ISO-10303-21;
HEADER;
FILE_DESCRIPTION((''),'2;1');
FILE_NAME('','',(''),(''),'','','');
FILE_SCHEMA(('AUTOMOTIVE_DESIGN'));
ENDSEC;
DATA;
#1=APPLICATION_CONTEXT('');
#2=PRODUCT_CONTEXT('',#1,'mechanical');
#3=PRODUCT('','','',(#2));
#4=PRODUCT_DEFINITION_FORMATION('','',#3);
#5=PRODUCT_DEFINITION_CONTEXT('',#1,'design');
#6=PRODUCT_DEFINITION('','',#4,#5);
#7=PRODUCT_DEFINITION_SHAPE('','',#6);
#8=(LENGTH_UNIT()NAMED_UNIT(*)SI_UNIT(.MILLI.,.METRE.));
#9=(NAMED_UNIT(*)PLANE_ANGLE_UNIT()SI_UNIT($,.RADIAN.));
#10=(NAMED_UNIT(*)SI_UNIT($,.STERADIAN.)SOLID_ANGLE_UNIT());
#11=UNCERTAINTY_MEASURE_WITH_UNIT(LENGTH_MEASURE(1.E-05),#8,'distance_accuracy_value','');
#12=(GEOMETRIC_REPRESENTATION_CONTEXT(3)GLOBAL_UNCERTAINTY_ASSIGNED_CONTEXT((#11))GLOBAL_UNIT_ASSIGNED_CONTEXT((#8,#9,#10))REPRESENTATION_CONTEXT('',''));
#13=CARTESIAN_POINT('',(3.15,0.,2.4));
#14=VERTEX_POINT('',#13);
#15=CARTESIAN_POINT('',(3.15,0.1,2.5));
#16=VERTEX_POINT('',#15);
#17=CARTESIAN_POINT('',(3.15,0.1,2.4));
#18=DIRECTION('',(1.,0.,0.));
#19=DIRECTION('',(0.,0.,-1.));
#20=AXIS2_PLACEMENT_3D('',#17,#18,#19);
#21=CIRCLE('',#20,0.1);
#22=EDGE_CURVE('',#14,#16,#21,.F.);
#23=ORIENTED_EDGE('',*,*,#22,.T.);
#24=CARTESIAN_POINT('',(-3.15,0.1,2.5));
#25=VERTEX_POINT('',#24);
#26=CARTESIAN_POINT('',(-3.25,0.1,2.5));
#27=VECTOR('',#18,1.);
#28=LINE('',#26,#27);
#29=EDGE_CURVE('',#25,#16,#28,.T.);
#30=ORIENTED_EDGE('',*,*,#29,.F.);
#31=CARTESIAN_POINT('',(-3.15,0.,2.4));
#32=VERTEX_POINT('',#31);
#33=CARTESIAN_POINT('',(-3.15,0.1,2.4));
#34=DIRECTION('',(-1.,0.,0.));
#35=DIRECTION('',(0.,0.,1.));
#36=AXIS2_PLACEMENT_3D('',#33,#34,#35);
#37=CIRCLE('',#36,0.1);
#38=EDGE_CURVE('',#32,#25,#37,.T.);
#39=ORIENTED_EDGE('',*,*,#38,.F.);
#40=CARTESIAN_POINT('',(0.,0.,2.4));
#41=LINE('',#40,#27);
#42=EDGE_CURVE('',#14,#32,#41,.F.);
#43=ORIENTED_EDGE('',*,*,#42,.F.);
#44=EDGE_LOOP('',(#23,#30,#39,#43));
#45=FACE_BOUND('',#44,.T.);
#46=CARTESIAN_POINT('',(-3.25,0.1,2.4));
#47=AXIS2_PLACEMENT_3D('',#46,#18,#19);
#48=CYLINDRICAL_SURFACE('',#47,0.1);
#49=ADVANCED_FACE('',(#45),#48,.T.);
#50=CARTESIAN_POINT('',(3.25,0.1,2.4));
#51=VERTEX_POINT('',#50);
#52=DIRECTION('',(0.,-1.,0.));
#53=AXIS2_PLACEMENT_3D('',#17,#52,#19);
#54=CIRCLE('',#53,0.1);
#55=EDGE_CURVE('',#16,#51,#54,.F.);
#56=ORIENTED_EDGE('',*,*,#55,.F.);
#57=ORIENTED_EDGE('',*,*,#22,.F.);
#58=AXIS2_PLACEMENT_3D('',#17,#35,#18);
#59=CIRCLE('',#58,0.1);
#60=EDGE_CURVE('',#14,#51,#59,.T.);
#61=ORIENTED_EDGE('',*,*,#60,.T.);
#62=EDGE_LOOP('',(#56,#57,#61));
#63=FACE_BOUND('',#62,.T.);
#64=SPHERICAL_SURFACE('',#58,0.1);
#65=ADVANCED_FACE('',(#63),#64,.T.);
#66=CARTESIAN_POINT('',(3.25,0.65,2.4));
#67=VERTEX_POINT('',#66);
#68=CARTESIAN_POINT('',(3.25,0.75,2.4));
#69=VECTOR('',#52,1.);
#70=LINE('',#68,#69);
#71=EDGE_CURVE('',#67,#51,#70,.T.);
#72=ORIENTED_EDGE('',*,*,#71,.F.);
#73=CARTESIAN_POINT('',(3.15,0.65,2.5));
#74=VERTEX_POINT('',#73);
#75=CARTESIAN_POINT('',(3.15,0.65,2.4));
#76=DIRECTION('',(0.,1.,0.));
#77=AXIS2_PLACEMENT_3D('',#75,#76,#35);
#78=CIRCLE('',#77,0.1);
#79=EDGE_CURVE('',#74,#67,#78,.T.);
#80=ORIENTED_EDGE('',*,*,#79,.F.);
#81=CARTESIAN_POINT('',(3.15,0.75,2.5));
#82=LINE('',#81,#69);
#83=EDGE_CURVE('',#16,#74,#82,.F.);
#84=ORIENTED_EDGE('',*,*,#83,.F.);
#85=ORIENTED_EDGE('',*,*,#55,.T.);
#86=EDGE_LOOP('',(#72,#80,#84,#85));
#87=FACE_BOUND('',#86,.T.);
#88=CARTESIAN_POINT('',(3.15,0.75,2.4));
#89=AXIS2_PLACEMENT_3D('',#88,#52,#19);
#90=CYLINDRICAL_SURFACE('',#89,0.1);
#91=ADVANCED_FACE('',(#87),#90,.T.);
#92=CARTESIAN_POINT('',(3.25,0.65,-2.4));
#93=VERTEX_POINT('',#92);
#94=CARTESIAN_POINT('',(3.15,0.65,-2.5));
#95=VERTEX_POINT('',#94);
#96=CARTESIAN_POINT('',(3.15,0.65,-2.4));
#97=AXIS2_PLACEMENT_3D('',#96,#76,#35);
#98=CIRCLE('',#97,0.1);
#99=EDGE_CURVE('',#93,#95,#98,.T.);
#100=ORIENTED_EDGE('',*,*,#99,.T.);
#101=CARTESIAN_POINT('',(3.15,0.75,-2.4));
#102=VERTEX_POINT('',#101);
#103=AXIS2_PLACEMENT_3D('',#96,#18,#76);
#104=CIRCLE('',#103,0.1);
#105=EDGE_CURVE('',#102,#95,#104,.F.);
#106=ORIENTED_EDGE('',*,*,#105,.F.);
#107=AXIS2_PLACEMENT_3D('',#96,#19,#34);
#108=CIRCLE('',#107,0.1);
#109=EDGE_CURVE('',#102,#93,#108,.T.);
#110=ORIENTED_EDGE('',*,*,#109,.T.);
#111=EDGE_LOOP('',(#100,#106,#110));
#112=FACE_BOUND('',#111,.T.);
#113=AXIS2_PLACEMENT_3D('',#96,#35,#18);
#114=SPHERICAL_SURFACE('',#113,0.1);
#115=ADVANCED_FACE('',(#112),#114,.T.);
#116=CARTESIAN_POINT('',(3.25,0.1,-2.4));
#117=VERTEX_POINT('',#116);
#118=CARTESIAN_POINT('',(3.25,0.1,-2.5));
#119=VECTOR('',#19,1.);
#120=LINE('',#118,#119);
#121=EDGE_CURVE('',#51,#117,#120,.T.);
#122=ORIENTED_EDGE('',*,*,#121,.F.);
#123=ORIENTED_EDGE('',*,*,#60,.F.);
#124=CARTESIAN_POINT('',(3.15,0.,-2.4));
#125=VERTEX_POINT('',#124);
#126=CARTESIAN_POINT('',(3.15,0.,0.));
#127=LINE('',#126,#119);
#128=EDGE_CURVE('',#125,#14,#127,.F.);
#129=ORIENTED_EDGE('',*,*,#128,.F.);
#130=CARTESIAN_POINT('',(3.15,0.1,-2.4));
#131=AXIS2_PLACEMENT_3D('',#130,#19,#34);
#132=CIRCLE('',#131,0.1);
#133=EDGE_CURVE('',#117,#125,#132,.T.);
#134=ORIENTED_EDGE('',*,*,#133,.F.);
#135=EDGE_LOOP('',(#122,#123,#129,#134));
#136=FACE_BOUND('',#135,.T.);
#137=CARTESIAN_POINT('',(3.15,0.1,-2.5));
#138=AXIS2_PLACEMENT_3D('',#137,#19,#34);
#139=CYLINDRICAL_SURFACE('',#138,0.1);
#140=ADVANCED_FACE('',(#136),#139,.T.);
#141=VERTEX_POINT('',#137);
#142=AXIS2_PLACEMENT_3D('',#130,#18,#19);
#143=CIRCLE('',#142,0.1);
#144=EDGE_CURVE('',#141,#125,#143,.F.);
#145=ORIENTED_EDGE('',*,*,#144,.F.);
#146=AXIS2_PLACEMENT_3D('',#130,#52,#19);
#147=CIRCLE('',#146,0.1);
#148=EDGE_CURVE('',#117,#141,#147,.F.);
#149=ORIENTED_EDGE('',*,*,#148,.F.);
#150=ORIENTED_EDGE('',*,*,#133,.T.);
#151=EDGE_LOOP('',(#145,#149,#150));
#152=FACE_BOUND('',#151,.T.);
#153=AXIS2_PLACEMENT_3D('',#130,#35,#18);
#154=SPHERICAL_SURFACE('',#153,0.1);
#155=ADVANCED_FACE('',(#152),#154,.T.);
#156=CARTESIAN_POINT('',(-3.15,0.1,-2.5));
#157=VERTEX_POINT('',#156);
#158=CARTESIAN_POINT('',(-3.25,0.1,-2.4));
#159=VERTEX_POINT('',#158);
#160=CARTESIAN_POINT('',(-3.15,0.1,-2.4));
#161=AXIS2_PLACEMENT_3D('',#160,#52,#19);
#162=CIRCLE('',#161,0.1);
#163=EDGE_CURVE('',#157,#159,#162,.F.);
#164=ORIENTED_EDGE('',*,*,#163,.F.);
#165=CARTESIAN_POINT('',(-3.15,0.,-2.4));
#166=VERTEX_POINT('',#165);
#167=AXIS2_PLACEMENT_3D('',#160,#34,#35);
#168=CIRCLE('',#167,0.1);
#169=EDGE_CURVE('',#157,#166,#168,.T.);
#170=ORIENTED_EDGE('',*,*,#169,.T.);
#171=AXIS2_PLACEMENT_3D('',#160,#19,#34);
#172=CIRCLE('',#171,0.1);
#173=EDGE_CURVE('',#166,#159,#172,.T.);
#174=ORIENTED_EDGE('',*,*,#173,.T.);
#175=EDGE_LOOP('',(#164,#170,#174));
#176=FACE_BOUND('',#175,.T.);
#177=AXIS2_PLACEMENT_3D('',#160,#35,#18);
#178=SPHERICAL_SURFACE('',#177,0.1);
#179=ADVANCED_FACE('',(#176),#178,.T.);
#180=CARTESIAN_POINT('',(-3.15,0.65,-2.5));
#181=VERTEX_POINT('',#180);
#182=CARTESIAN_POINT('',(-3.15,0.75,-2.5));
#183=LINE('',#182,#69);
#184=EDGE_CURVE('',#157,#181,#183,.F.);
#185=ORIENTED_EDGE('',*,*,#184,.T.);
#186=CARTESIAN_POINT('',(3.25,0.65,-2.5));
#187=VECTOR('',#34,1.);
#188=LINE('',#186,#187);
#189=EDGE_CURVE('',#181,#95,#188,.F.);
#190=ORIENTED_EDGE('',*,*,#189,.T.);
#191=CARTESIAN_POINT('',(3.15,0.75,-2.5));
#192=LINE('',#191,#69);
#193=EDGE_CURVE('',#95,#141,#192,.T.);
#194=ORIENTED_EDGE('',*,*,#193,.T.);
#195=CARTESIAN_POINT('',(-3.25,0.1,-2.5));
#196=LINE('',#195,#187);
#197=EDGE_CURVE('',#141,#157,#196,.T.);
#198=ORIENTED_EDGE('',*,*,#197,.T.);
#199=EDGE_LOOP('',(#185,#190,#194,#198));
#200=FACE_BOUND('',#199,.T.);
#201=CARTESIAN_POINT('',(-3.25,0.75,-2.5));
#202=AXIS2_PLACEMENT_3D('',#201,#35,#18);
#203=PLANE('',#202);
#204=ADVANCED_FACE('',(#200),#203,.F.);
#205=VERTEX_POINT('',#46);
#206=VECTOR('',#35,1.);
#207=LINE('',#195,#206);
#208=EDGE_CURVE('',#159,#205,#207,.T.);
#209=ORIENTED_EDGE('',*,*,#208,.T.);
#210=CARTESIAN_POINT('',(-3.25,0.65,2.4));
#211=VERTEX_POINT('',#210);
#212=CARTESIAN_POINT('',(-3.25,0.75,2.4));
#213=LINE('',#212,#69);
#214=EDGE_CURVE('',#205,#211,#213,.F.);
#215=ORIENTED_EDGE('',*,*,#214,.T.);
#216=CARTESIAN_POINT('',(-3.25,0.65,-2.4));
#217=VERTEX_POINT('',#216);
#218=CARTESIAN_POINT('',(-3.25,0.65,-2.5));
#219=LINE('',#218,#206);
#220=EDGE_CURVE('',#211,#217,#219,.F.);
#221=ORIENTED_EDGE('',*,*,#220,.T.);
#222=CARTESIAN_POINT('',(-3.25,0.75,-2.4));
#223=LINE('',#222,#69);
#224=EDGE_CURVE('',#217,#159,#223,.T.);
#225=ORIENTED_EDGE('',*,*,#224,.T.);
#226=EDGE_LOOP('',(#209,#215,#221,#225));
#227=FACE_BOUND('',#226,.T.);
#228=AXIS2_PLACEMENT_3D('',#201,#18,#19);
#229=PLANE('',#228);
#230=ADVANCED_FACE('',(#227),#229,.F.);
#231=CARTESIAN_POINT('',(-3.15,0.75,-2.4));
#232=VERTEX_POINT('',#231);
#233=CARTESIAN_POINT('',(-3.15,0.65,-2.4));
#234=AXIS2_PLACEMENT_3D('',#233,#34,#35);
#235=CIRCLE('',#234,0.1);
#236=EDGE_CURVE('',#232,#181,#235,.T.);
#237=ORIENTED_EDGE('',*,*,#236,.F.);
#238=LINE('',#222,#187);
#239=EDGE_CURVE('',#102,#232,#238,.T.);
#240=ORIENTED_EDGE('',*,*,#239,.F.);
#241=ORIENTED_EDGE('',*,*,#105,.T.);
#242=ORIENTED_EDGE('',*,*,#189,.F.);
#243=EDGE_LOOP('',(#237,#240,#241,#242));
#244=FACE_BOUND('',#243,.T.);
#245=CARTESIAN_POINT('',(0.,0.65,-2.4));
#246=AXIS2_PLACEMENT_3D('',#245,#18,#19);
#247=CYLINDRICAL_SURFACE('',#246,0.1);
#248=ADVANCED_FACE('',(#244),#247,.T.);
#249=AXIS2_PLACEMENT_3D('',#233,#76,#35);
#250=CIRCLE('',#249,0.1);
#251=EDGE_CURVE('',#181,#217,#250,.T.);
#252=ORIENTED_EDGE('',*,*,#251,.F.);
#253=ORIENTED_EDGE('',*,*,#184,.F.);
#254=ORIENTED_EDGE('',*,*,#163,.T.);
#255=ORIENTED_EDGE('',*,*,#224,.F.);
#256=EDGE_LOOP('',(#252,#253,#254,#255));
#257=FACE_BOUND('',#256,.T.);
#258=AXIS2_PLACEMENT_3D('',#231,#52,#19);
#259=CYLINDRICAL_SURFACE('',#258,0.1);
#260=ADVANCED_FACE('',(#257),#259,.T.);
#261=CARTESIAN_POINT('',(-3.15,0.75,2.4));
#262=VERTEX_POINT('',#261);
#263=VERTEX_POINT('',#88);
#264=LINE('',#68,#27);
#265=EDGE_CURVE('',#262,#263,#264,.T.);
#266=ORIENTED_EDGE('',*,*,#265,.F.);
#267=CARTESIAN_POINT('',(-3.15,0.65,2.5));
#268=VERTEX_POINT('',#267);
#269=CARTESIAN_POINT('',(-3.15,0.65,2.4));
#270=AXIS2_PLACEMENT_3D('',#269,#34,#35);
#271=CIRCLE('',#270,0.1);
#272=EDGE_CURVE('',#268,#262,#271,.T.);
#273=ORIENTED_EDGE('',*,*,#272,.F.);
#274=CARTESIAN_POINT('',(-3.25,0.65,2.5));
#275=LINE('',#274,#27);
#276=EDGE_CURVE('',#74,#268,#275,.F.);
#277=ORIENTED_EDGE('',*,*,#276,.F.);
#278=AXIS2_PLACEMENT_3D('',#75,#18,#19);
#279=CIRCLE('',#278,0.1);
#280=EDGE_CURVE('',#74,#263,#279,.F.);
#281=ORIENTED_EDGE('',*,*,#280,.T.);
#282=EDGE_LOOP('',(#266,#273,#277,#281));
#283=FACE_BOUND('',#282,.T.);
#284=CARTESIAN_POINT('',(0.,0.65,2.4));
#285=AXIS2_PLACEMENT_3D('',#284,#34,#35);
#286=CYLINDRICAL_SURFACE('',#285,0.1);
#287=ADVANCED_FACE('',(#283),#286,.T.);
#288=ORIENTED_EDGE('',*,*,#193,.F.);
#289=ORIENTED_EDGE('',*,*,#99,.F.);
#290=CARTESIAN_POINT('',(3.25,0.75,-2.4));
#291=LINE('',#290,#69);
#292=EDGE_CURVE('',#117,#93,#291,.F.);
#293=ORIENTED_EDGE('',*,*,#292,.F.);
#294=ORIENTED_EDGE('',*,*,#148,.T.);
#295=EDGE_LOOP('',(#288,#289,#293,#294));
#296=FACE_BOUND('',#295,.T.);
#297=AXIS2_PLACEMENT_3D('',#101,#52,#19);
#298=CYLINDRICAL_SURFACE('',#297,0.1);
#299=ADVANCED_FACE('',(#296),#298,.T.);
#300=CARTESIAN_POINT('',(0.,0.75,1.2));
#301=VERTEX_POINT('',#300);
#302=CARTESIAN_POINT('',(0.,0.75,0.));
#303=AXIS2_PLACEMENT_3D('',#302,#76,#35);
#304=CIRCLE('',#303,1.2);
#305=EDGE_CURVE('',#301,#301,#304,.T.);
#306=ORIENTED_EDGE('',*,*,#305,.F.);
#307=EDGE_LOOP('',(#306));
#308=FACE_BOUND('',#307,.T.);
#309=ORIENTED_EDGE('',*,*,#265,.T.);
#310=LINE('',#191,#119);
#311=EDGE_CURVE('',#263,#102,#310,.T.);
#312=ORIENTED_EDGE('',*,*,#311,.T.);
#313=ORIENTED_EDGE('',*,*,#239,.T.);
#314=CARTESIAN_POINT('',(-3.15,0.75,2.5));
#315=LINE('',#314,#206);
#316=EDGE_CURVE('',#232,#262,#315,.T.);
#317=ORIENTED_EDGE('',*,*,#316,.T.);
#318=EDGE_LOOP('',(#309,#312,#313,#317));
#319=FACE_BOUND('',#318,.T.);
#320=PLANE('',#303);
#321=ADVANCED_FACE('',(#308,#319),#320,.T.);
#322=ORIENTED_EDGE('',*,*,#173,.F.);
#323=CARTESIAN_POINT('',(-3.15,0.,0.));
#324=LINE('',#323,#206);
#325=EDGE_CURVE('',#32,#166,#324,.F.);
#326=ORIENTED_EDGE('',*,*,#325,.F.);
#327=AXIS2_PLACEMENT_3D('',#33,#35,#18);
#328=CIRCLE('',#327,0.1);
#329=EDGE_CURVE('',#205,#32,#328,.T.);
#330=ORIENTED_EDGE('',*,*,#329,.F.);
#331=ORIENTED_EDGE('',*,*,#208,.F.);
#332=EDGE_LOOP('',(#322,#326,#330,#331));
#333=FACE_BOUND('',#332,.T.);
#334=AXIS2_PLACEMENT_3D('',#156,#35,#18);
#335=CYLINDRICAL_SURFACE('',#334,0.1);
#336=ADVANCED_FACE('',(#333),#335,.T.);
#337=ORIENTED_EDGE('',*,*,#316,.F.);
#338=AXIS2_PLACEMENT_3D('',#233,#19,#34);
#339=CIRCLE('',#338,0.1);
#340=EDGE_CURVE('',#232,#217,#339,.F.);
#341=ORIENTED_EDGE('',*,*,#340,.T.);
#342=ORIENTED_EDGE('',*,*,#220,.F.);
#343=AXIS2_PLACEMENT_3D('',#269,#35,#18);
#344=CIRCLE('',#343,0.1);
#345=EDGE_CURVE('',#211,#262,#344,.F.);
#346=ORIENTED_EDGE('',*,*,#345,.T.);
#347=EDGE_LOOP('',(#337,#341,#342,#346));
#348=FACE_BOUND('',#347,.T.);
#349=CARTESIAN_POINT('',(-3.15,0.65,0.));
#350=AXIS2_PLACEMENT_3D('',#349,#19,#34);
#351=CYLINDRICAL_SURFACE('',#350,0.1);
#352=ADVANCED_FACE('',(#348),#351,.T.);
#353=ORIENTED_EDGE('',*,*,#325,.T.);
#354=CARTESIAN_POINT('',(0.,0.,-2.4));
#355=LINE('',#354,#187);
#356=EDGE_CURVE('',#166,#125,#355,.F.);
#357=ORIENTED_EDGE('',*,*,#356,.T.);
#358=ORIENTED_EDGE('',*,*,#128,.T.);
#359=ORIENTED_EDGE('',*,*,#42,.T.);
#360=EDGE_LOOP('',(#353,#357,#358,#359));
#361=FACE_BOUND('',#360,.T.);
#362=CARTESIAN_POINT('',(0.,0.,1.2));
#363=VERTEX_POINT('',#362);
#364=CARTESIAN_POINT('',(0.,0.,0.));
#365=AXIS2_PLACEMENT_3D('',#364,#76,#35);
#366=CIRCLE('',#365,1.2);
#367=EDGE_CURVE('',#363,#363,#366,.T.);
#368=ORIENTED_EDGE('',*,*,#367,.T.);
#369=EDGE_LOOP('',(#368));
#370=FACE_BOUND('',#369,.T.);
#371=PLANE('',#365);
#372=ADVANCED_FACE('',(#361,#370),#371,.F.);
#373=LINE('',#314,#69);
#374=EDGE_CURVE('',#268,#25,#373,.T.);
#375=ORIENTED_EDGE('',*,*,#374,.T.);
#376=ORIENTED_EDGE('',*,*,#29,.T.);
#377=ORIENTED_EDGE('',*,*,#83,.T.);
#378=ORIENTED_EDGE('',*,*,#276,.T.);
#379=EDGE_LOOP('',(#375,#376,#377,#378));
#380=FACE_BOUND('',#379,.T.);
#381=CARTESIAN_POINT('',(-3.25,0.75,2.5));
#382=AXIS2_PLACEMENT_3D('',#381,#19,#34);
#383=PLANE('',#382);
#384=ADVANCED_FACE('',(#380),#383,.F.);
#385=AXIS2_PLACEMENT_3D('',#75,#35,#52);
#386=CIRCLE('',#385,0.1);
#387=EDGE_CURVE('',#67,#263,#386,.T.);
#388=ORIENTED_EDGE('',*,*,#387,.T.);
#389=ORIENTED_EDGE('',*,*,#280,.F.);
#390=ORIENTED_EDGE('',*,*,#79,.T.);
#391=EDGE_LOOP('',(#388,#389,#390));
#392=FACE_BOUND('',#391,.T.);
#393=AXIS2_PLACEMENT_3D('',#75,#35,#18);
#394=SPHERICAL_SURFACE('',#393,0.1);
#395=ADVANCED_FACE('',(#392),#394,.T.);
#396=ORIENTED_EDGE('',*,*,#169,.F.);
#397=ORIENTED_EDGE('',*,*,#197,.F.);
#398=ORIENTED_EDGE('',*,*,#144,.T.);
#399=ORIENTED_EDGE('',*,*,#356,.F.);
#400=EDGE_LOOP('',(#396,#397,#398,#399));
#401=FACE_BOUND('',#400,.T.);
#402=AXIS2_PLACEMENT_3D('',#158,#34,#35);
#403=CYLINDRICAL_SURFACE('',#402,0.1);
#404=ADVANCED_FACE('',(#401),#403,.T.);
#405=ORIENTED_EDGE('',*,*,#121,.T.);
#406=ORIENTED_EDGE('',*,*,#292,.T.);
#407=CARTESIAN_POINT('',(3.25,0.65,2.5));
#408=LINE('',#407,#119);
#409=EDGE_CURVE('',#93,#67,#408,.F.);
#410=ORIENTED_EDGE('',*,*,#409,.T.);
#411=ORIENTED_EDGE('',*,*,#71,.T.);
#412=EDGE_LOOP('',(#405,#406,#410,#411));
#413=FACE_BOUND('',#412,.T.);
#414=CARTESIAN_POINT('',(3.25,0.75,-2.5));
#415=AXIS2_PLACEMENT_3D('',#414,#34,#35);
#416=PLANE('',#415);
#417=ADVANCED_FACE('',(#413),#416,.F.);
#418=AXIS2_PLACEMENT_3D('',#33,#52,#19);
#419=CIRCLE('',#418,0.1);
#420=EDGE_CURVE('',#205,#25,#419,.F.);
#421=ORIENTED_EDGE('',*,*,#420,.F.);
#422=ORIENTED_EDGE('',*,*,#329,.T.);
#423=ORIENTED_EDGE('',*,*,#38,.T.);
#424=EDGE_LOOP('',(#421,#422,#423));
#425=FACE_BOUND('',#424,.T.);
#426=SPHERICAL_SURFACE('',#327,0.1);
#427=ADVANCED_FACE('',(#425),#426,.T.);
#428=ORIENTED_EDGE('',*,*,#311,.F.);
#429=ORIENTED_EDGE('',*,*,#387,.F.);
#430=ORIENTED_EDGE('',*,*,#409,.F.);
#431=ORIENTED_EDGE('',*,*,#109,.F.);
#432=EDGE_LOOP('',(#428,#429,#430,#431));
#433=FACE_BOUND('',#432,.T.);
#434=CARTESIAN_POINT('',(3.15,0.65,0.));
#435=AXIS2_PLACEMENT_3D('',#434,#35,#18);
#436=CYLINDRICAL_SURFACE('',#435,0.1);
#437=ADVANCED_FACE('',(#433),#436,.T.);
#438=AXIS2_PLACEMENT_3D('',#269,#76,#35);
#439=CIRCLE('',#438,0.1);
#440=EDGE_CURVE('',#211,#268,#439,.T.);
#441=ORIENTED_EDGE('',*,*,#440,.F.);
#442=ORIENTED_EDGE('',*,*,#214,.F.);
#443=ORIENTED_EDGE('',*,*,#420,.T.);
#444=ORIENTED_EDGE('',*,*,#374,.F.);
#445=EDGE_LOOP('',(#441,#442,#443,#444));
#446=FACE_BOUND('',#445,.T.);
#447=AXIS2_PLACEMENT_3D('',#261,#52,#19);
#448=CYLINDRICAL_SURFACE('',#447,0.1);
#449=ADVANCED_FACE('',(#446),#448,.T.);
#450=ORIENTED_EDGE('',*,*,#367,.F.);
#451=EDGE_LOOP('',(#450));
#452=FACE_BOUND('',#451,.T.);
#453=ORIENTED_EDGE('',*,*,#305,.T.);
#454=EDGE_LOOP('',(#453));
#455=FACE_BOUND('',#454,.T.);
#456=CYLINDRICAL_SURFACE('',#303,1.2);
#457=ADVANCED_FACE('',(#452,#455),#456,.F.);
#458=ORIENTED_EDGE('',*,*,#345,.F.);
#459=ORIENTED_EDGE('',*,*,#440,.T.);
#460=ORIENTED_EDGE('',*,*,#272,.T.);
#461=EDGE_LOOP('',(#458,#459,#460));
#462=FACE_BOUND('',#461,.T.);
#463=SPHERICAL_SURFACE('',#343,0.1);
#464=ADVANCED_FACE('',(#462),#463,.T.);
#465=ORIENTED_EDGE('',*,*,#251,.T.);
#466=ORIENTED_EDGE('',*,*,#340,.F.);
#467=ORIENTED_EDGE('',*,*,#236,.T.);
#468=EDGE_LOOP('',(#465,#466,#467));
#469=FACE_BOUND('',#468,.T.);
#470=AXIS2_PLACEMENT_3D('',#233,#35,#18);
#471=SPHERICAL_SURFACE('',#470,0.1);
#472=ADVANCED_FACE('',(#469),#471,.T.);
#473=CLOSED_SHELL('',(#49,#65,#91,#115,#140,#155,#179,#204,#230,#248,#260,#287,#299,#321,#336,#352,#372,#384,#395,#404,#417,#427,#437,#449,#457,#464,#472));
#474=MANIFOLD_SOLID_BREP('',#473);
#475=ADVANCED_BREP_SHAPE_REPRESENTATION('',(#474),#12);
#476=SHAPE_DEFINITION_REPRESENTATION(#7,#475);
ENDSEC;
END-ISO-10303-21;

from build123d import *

# Parameters (mm, degrees)
SKETCH1_W                = 6.5
SKETCH1_H                = 5
BOSS_EXTRUDE1_DEPTH      = 0.75
M2_CLEARANCE_HOLE1_D     = 2.4
M2_CLEARANCE_HOLE1_DEPTH = 1.6
M2_CLEARANCE_HOLE1_TIP   = 0.721032743
FILLET1_R                = 0.1


with BuildPart() as part:
    # Sketch1 → Boss-Extrude1 (new body)
    with BuildSketch(Plane(origin=(0, 0, 0), x_dir=(1, 0, 0), z_dir=(0, 1, 0))):
        Rectangle(SKETCH1_W, SKETCH1_H)
    extrude(amount=BOSS_EXTRUDE1_DEPTH)

    # M2 Clearance Hole1
    with Locations(Plane(origin=(0, 0.75, 0), x_dir=(1, 0, 0), z_dir=(0, 1, 0))):
        with Locations((0, 0)):
            Hole(M2_CLEARANCE_HOLE1_D / 2, depth=M2_CLEARANCE_HOLE1_DEPTH)
            with Locations((0, 0, -(M2_CLEARANCE_HOLE1_DEPTH + M2_CLEARANCE_HOLE1_TIP / 2))):  # 118° drill point
                Cone(0, M2_CLEARANCE_HOLE1_D / 2, M2_CLEARANCE_HOLE1_TIP, mode=Mode.SUBTRACT)

    # Fillet1
    fillet1_edges = [part.edges().sort_by_distance(p)[0] for p in [
        (3.25, 0.75, 0),
        (0, 0.75, -2.5),
        (-3.25, 0.75, 0),
        (0, 0, -2.5),
        (3.25, 0, 0),
        (0, 0, 2.5),
        (-3.25, 0, 0),
        (-3.25, 0.375, -2.5),
        (3.25, 0.375, -2.5),
        (3.25, 0.375, 2.5),
        (-3.25, 0.375, 2.5),
        (0, 0.75, 2.5),
    ]]
    fillet(fillet1_edges, radius=FILLET1_R)


solid = part.part
